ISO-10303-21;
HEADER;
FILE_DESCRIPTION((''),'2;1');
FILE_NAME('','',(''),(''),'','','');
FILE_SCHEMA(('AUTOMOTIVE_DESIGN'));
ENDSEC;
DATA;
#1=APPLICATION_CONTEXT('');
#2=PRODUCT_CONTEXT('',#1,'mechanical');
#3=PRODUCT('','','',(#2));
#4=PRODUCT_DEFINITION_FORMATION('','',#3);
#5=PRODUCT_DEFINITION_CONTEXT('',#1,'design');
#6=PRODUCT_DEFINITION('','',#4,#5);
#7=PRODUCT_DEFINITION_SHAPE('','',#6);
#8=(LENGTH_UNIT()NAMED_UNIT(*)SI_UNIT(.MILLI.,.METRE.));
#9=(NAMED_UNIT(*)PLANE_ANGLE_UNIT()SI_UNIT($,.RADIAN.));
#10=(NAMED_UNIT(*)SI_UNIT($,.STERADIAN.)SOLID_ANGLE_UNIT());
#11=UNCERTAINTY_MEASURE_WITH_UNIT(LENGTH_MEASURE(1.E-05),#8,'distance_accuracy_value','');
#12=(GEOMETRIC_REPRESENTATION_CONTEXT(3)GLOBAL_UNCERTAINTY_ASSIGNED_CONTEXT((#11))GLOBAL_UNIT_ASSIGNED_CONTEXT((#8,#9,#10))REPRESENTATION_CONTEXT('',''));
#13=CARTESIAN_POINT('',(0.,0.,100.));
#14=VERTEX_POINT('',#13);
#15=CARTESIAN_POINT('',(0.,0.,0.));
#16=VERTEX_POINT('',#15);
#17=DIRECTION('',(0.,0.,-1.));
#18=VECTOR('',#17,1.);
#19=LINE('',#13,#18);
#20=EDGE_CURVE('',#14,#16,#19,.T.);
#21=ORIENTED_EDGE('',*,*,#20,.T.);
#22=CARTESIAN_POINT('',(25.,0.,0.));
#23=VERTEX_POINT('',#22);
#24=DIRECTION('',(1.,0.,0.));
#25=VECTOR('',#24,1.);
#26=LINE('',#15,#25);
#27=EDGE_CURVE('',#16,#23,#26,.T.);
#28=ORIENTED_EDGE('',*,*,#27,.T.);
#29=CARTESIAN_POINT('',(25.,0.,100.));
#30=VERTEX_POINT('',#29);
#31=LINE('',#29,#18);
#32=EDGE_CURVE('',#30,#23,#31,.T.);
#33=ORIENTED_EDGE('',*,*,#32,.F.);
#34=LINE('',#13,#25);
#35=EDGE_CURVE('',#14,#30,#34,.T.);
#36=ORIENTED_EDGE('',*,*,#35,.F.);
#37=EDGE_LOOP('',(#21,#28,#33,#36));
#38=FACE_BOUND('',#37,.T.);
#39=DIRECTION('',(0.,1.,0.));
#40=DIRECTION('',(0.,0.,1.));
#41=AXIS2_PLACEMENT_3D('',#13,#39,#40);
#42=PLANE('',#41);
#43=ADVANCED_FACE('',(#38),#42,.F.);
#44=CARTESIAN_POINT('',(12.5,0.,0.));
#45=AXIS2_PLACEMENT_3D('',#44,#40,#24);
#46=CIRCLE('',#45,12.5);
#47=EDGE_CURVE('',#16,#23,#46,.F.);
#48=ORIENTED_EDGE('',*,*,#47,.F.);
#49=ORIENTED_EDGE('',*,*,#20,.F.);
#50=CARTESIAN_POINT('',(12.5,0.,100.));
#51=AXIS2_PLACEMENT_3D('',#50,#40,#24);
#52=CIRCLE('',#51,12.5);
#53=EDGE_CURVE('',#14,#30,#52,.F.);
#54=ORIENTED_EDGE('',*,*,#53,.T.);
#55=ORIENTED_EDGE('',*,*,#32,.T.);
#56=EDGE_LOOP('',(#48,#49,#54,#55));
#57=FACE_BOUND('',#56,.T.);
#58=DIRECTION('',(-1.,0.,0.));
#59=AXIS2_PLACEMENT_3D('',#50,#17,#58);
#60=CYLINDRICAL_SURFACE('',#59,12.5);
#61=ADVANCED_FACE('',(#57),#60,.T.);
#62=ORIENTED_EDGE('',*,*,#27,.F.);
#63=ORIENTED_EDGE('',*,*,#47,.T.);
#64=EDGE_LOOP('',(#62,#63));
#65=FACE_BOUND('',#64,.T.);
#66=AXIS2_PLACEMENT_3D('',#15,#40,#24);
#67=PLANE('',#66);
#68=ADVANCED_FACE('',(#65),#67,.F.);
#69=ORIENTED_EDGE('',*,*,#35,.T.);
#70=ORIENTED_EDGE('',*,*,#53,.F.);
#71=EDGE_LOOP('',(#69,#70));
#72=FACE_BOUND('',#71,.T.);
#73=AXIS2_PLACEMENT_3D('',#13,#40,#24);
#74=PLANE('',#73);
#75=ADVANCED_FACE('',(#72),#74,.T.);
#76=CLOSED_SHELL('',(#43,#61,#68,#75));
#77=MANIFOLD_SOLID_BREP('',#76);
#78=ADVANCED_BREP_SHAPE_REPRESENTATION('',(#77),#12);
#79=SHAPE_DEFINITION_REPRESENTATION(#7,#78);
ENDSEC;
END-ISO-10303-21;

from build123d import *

# Parameters (mm, degrees)
EXTRUDE_1_DEPTH = 100


with BuildPart() as part:
    # Эскиз1 → Бобышка-Вытянуть1 (new body)
    with BuildSketch(Plane.XY):
        with BuildLine():
            ThreePointArc((0, 0), (12.5, 12.5), (25, 0))
            Line((25, 0), (0, 0))
        make_face()
    extrude(amount=EXTRUDE_1_DEPTH)


solid = part.part
